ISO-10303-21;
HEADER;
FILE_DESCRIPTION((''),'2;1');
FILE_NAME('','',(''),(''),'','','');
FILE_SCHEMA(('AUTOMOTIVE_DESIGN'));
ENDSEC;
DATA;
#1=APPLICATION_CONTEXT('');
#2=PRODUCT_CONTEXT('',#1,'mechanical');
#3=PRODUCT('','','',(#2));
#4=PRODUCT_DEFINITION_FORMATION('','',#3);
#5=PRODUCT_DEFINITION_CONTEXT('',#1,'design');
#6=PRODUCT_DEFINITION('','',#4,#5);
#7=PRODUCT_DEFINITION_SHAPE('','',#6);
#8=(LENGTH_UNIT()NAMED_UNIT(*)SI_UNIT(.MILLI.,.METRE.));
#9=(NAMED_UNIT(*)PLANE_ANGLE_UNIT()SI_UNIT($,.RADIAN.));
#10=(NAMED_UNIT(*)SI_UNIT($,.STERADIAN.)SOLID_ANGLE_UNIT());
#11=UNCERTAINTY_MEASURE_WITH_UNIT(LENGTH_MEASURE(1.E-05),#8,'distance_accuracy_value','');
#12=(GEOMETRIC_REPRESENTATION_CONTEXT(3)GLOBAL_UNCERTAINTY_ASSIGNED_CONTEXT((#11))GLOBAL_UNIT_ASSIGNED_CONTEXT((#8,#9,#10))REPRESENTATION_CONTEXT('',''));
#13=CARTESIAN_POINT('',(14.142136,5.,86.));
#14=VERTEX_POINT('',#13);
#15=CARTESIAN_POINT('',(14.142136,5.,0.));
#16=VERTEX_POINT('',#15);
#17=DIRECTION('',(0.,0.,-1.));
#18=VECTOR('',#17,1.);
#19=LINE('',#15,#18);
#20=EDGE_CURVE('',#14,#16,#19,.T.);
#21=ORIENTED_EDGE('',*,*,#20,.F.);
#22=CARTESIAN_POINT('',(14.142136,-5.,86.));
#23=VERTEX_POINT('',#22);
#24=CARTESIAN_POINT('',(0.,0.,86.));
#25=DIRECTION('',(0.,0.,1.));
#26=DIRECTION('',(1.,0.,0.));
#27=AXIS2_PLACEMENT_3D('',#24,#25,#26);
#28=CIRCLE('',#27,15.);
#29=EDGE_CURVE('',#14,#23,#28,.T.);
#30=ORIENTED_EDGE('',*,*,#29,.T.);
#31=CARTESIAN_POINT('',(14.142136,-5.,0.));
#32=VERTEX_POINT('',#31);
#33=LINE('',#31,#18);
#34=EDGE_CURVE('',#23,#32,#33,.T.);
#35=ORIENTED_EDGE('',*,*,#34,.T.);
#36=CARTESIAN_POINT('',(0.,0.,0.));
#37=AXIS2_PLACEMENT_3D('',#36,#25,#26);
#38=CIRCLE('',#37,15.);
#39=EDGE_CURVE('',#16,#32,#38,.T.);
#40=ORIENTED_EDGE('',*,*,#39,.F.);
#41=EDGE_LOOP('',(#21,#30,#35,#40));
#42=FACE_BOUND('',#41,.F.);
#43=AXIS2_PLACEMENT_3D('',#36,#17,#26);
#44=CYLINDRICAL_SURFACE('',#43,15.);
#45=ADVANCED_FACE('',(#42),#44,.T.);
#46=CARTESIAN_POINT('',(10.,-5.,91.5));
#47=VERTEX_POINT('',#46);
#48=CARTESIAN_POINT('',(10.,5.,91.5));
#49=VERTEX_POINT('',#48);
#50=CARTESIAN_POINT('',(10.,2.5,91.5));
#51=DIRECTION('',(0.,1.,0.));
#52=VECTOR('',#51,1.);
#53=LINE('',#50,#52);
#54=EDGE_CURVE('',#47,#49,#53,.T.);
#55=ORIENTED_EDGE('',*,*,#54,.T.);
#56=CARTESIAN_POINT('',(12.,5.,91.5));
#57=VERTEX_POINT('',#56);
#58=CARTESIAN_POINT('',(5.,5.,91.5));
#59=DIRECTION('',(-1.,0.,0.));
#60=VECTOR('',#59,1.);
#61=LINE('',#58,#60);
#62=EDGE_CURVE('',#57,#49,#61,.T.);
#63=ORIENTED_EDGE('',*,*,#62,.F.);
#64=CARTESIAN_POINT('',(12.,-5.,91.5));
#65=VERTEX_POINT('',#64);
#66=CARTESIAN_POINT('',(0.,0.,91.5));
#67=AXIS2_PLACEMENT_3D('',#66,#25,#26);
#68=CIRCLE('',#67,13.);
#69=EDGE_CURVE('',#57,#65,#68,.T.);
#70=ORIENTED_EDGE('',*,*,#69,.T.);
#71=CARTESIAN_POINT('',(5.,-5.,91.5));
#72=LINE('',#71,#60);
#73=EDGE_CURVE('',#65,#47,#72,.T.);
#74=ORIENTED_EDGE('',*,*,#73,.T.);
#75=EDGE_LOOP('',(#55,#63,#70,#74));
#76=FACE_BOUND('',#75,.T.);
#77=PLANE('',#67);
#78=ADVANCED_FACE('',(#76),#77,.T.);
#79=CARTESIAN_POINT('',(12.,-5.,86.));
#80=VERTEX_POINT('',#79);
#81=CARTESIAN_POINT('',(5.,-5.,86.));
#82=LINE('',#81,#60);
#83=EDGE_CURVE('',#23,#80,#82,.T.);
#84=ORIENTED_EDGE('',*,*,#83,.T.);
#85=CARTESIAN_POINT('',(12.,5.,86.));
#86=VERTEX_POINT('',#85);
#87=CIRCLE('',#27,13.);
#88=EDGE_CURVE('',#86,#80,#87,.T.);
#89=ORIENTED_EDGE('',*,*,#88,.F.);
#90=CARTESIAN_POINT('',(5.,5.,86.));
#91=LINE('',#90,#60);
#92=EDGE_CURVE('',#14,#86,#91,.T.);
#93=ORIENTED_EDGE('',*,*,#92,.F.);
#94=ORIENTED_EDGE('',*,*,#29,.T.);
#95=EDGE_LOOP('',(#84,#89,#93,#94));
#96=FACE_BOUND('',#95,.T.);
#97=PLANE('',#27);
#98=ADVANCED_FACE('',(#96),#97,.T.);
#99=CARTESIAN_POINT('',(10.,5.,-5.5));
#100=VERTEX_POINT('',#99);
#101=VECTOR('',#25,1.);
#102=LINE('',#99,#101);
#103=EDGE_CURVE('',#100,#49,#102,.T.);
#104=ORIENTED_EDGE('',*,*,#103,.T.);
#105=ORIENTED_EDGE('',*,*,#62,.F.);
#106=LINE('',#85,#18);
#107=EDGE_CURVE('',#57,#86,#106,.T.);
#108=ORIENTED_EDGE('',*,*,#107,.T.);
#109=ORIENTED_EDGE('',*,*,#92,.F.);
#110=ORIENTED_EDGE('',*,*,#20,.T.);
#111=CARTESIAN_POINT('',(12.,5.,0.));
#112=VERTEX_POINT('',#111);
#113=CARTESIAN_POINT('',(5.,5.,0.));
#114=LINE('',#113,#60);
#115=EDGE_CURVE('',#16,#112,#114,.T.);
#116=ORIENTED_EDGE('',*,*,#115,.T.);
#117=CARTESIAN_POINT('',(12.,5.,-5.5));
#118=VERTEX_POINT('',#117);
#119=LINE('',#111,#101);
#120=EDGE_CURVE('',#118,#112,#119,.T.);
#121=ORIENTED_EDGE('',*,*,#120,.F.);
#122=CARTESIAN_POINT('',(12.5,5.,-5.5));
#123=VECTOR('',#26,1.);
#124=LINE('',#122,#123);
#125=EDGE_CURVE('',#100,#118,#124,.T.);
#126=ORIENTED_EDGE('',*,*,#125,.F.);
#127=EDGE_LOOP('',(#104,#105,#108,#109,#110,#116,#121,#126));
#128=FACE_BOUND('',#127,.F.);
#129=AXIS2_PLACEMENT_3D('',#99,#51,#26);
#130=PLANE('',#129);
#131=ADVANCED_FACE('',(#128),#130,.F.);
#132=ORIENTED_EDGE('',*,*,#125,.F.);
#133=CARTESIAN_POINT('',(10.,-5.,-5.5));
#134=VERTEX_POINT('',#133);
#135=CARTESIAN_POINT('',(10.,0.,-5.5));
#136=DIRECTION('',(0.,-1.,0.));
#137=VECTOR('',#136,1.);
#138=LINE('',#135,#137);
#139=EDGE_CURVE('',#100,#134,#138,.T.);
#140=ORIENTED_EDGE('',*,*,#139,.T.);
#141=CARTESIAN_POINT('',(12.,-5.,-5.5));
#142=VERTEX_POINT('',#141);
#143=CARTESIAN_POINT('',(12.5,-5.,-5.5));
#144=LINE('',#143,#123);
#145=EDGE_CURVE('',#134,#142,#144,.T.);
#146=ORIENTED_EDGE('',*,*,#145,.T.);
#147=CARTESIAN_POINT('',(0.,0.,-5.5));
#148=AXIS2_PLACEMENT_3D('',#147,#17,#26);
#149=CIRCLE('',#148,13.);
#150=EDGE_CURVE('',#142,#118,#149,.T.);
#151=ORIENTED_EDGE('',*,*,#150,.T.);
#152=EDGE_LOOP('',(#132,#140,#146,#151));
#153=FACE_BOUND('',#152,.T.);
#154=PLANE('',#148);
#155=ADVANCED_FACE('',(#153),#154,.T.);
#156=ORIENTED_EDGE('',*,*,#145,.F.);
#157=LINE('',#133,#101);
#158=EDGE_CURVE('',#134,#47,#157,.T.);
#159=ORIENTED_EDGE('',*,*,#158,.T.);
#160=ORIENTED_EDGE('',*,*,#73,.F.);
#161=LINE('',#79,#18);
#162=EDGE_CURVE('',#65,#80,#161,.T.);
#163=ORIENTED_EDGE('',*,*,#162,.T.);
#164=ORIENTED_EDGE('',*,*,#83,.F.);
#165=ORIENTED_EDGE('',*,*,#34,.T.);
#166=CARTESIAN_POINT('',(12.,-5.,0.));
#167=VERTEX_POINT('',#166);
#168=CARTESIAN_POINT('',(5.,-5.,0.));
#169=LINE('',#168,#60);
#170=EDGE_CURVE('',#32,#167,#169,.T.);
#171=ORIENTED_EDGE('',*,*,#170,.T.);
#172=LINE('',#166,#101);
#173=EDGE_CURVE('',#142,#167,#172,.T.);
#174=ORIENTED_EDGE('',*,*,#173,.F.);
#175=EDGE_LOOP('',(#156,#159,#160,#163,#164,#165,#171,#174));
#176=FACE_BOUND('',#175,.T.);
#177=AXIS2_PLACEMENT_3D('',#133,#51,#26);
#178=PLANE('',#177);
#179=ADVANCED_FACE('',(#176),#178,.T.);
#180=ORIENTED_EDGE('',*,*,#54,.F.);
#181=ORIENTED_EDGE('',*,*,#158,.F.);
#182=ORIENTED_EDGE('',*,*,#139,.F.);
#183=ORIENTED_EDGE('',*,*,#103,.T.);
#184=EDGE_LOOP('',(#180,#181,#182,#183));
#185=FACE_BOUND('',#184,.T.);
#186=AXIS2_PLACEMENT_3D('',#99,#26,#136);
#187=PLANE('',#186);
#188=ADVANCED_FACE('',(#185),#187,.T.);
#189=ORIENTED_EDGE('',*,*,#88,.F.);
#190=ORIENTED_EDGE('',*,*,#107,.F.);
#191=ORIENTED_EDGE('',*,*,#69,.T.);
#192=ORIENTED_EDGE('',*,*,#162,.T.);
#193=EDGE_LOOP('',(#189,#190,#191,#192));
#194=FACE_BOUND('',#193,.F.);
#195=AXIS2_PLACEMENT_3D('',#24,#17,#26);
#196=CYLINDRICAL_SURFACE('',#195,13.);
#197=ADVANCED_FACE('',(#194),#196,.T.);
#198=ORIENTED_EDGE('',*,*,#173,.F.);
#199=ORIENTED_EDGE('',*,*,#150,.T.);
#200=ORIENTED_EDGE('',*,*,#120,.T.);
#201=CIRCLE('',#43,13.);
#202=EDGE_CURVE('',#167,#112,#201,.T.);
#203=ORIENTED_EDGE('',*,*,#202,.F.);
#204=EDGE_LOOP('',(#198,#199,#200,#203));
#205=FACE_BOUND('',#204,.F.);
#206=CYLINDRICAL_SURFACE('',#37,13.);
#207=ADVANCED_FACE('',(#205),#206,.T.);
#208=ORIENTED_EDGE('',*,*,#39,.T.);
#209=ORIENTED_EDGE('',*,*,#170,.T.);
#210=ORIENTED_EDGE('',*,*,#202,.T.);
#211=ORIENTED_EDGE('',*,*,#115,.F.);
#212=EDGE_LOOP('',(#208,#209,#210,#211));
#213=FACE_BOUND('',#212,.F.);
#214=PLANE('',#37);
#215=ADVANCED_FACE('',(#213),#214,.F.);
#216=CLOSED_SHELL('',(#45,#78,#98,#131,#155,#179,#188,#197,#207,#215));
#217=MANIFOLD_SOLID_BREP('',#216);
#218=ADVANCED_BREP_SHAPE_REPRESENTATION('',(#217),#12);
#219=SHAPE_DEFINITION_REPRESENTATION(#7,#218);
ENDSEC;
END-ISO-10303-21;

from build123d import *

# Parameters (mm, degrees)
SKETCH_R     = 15
PAD_DEPTH    = 86
SKETCH001_R  = 13
PAD001_DEPTH = 5.5
SKETCH002_R  = 13
PAD002_DEPTH = 5.5
SKETCH003_W  = 5
SKETCH003_H  = 10
POCKET_DEPTH = 117


with BuildPart() as part:
    # Sketch → Pad (new body)
    with BuildSketch(Plane.XY):
        Circle(SKETCH_R)
    extrude(amount=PAD_DEPTH)

    # Sketch001 (on Face3 of Pad) → Pad001 (join)
    with BuildSketch(Plane.XY.offset(86)):
        Circle(SKETCH001_R)
    extrude(amount=PAD001_DEPTH)

    # Sketch002 (on Face2 of Pad001) → Pad002 (join)
    with BuildSketch(Plane(origin=(0, 0, 0), x_dir=(1, 0, 0), z_dir=(0, 0, -1))):
        Circle(SKETCH002_R)
    extrude(amount=PAD002_DEPTH)

    # Sketch003 (on Face6 of Pad002) → Pocket (cut)
    with BuildSketch(Plane(origin=(0, 0, -5.5), x_dir=(1, 0, 0), z_dir=(0, 0, -1))):
        with Locations((12.5, 0)):
            Rectangle(SKETCH003_W, SKETCH003_H)
    extrude(amount=-POCKET_DEPTH, mode=Mode.SUBTRACT)


solid = part.part
